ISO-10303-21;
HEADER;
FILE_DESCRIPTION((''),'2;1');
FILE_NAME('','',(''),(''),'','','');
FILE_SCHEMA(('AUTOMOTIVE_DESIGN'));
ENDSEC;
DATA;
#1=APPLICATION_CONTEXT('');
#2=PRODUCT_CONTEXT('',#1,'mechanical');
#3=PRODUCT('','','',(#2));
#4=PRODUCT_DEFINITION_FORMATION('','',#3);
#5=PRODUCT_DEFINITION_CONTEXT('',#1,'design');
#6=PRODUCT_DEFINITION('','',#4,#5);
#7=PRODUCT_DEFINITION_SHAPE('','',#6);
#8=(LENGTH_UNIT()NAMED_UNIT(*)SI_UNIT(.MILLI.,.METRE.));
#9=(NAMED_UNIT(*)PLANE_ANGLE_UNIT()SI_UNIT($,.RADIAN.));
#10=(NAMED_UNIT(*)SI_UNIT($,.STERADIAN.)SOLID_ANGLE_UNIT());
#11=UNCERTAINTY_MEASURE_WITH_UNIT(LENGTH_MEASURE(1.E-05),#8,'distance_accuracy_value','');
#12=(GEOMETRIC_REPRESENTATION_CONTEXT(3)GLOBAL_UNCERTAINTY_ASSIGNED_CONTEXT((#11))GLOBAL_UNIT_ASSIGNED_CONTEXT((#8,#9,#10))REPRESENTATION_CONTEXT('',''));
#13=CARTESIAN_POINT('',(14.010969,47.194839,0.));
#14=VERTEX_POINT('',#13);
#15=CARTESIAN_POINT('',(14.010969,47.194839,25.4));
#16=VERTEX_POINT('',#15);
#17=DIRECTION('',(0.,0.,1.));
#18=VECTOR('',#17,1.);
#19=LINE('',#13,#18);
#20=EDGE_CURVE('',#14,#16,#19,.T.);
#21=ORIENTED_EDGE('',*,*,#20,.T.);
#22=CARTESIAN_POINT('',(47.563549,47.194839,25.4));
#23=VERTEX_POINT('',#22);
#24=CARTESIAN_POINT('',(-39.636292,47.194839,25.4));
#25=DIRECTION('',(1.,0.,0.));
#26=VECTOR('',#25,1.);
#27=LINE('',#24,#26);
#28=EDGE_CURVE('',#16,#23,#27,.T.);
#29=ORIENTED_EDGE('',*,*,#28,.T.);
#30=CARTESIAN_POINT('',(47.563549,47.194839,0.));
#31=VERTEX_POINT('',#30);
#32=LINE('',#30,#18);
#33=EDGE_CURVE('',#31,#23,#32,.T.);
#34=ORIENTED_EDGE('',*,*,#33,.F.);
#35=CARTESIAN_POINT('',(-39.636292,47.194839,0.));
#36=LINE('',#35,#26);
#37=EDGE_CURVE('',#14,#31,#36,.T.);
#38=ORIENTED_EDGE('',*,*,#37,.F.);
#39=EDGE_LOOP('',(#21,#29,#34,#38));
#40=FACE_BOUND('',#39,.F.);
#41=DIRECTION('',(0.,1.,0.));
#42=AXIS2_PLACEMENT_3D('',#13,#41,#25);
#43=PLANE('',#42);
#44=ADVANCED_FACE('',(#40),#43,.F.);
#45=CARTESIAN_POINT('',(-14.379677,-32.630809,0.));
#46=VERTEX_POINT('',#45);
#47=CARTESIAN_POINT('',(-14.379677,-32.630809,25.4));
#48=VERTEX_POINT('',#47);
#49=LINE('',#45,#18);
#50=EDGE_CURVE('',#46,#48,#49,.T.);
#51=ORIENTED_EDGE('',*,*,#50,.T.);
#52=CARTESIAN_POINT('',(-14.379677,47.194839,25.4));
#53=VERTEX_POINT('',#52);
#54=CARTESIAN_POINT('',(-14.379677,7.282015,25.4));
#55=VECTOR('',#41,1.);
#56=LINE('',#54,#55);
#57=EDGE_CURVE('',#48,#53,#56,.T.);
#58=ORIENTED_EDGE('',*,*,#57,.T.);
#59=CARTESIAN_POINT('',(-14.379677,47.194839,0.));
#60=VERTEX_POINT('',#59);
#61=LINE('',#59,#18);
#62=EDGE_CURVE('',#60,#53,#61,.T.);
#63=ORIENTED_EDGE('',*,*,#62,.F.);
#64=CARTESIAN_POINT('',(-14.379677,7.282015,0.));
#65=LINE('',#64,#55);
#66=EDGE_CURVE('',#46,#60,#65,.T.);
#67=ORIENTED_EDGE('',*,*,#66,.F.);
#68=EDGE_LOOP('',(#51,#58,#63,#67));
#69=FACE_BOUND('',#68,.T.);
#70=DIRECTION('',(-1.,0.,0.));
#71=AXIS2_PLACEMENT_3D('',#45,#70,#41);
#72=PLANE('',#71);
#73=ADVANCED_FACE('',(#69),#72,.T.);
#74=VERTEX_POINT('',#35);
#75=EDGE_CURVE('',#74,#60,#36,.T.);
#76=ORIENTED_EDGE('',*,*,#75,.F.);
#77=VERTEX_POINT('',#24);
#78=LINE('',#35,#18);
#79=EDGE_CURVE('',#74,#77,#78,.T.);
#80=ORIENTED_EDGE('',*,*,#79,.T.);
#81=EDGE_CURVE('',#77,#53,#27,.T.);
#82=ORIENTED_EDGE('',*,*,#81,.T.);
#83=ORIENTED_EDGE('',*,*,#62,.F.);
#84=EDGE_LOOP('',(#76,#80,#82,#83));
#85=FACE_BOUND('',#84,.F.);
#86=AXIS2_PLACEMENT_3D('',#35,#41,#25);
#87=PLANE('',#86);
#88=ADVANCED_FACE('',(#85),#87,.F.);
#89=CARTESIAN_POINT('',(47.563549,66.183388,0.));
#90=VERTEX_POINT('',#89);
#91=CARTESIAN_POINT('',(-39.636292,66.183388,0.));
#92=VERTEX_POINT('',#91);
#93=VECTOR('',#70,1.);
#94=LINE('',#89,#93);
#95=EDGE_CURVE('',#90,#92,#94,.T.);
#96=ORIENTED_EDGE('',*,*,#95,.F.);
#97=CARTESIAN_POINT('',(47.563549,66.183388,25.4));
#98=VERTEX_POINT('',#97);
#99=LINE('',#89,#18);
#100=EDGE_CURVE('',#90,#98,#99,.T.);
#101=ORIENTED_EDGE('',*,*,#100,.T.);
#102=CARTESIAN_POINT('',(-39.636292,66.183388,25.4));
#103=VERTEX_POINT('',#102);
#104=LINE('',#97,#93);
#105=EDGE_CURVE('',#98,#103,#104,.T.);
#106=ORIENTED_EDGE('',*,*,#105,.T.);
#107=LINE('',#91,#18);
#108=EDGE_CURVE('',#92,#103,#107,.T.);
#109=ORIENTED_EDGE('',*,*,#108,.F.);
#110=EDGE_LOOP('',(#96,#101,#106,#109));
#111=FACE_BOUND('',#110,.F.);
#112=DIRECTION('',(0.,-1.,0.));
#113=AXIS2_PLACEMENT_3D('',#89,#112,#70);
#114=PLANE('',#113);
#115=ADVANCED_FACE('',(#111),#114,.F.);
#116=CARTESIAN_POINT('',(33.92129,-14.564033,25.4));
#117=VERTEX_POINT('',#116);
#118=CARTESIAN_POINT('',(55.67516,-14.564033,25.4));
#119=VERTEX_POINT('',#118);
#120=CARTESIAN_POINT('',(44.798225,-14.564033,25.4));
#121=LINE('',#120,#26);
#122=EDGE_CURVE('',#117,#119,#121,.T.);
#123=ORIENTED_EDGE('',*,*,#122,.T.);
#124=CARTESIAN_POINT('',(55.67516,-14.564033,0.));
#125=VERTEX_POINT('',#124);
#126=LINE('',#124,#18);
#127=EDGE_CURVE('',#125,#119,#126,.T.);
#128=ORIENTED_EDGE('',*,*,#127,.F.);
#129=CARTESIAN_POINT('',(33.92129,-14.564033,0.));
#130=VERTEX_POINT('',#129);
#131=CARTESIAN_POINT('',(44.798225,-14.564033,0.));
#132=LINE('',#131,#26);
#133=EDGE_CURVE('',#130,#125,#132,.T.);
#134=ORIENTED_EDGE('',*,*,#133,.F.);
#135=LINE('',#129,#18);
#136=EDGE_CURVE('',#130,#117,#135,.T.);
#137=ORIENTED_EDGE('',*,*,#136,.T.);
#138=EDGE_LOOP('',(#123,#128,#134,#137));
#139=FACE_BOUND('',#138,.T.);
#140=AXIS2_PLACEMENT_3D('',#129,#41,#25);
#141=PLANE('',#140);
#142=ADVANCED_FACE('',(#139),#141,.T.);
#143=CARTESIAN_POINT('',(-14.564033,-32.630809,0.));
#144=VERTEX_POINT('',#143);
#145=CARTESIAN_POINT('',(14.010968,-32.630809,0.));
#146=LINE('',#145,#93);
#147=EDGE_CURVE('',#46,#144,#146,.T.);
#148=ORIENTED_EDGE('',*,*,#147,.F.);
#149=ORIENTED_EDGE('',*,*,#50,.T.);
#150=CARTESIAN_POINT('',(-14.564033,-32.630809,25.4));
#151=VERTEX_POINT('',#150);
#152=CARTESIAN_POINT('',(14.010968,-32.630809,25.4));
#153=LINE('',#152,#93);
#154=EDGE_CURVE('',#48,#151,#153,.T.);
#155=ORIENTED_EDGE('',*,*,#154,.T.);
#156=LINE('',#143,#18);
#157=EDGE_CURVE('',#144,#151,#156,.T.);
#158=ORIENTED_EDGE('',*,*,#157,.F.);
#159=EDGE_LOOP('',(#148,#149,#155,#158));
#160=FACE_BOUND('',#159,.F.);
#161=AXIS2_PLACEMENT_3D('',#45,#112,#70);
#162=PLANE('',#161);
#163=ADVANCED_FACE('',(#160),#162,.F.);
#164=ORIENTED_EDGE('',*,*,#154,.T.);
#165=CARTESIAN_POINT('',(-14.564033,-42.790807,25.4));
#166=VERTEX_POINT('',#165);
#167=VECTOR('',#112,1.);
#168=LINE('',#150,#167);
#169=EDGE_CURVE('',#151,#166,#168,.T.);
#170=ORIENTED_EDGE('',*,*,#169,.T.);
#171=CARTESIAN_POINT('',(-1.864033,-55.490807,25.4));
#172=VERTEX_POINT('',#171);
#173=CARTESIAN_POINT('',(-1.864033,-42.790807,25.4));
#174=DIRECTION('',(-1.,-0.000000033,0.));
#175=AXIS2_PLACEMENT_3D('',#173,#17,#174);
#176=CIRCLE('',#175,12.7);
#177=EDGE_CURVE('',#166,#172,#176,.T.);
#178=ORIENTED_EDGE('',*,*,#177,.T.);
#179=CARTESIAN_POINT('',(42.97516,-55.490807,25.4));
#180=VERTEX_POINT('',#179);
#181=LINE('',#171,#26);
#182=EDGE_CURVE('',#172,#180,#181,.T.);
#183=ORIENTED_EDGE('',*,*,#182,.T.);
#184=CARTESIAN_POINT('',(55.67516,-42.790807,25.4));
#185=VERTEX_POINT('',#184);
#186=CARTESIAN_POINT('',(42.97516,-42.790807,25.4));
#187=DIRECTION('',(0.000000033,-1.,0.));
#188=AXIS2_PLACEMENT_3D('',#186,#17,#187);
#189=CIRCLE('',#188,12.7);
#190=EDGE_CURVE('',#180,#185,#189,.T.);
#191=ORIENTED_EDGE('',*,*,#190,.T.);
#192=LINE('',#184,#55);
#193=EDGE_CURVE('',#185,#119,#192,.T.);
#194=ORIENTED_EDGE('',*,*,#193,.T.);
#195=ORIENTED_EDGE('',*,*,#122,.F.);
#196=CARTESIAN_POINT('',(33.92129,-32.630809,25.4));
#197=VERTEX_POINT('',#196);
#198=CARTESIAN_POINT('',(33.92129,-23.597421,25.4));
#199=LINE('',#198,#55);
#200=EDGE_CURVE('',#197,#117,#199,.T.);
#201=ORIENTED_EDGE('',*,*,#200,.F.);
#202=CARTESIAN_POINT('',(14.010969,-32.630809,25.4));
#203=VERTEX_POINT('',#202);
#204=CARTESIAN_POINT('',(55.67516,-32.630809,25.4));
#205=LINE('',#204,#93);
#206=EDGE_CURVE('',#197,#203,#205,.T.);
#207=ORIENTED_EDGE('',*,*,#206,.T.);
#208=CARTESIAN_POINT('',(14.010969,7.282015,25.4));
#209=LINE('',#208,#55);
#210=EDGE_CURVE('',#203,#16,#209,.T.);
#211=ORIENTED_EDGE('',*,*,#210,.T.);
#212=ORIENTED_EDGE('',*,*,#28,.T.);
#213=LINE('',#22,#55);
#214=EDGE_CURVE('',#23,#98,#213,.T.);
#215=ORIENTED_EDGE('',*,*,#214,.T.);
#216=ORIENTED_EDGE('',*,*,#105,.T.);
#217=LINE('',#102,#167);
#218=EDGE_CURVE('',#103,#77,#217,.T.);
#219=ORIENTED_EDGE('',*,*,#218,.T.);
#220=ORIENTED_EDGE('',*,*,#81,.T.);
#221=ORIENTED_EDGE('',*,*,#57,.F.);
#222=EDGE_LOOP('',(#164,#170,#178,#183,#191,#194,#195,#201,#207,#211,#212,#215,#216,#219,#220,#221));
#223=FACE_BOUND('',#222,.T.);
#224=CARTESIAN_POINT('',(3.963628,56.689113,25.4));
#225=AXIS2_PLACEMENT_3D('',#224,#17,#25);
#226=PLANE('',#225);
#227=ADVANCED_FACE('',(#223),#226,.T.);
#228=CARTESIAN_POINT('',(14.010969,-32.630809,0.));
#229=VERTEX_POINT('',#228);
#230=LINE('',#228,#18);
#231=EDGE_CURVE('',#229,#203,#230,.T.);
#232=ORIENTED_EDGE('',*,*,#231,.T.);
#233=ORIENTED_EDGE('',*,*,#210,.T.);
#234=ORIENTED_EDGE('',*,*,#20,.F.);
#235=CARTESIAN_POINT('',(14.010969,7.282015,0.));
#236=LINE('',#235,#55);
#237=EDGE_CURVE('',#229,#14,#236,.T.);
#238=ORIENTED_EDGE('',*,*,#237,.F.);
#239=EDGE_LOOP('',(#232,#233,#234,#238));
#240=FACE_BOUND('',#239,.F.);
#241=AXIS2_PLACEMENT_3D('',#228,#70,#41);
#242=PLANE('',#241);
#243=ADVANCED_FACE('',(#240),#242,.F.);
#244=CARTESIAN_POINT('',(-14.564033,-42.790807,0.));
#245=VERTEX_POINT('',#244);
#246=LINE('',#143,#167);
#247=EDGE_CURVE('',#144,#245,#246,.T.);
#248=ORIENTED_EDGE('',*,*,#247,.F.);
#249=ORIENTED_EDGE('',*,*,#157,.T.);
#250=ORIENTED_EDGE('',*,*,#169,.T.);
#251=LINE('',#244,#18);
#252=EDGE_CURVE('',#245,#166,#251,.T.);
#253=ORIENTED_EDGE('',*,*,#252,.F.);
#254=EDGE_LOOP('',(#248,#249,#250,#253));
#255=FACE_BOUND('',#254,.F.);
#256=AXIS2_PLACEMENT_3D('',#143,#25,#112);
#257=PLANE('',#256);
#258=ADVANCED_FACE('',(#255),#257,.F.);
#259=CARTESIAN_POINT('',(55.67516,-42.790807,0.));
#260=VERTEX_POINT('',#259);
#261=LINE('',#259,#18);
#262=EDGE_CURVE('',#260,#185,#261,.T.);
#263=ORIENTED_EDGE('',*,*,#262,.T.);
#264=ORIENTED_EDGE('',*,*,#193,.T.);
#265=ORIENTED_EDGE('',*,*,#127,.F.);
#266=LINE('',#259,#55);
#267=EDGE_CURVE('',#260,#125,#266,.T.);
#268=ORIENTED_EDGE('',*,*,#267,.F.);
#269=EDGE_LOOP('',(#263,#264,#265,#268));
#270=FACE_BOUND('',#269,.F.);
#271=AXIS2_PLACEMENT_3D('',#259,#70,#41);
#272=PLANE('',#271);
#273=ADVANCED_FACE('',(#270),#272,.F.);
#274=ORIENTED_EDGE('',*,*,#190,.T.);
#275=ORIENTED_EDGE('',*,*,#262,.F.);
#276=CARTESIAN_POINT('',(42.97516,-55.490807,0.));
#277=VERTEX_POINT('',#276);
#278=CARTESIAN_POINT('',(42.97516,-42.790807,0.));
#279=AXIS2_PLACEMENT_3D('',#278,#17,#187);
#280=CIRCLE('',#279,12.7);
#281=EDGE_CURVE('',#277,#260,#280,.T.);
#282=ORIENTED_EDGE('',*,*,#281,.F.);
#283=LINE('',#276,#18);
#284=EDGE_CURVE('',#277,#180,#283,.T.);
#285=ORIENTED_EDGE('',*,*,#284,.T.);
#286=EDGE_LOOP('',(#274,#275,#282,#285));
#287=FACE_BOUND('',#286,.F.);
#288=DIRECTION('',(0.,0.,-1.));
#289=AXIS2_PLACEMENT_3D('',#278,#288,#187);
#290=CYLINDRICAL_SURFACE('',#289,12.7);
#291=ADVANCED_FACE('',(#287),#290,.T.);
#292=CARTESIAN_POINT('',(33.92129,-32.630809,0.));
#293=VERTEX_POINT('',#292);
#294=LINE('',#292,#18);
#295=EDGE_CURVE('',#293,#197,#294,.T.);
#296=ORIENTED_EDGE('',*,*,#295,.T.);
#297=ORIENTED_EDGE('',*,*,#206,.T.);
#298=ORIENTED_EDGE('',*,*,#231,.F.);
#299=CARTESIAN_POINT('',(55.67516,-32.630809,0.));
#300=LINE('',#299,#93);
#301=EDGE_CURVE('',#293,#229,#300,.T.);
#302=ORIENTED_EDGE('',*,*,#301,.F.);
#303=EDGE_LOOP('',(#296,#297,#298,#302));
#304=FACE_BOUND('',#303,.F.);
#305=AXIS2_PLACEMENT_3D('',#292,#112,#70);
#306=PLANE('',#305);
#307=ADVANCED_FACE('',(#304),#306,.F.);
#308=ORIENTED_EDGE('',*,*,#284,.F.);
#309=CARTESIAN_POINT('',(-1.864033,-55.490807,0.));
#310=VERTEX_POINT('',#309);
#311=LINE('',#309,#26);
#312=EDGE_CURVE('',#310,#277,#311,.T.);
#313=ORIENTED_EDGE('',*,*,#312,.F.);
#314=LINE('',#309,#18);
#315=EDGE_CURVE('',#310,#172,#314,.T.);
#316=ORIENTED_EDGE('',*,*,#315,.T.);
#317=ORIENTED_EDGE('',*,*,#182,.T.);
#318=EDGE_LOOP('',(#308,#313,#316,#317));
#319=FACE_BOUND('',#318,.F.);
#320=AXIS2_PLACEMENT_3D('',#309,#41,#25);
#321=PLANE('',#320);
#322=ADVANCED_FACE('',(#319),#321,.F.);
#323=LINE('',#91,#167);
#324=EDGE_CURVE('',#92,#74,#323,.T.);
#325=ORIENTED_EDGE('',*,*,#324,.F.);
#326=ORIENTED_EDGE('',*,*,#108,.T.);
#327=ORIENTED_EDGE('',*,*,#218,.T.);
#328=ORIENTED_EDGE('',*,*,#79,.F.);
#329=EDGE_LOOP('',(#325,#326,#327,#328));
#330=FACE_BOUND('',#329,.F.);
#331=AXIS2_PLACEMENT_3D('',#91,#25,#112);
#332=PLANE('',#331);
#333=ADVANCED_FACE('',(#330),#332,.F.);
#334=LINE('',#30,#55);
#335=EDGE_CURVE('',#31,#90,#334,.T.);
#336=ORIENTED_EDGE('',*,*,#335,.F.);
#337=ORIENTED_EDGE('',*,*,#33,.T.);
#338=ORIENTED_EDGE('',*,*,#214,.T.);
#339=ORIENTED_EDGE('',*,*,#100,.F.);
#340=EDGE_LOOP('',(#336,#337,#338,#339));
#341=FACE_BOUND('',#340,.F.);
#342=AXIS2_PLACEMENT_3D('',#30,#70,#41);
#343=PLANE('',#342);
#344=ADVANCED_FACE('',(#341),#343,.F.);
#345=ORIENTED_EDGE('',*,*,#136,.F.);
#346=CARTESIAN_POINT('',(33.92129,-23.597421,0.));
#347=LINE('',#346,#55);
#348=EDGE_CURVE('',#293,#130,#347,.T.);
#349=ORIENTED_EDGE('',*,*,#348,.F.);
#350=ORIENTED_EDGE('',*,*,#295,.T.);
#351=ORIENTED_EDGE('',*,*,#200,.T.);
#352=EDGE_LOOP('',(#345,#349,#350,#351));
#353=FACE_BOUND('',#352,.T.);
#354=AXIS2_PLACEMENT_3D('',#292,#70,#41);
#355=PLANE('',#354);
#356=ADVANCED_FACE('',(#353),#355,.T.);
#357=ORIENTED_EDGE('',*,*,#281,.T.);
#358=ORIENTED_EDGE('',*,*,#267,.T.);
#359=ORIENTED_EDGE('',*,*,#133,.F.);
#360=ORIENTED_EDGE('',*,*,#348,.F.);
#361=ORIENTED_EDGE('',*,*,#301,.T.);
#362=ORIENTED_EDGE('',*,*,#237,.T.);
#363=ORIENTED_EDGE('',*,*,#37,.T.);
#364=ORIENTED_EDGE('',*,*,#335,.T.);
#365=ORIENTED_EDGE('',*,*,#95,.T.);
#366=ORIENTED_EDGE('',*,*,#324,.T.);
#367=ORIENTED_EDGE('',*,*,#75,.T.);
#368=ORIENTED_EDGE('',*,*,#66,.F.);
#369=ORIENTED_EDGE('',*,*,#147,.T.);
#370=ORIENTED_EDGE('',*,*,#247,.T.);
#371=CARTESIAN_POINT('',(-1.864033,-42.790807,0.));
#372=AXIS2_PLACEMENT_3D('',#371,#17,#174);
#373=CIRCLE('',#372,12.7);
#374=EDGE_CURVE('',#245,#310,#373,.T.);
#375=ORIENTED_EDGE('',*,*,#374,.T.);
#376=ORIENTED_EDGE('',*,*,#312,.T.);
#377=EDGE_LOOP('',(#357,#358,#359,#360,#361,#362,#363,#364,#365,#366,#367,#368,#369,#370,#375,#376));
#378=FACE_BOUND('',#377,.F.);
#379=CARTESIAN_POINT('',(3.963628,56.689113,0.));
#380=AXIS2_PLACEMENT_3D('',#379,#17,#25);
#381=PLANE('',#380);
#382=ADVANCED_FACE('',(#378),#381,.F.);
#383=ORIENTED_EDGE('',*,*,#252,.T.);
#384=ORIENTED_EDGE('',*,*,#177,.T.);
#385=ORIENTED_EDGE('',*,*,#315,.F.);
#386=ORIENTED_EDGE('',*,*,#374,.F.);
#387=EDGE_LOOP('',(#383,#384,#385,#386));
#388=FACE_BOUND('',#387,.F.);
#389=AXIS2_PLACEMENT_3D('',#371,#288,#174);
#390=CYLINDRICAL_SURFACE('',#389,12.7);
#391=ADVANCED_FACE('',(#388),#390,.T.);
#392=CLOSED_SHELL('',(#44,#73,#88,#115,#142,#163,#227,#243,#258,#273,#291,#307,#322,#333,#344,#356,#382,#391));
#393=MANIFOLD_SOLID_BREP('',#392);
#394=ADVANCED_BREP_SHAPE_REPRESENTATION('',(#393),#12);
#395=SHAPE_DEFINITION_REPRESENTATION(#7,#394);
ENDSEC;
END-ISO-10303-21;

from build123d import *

# Parameters (mm, degrees)
F0_W     = 28.390645
F0_H     = 79.825648
F0_W_2   = 21.75387
F0_H_2   = 18.066776
F1_DEPTH = 25.4


with BuildPart() as f1:
    # F0 (on Top) → F1 (new body)
    with BuildSketch(Plane.XY):
        Polygon((-39.636292, 47.194839), (-14.379677, 47.194839), (14.010968, 47.194839), (47.563549, 47.194839), (47.563549, 66.183388), (-39.636292, 66.183388), align=None)
        with Locations((-0.184354, 7.282015)):
            Rectangle(F0_W, F0_H)
        with BuildLine():
            Line((14.010968, -32.630809), (-14.379677, -32.630809))
            Line((-14.379677, -32.630809), (-14.564033, -32.630809))
            Line((-14.564033, -32.630809), (-14.564033, -42.790807))
            ThreePointArc((-14.564033, -42.790807), (-10.844289, -51.771063), (-1.864033, -55.490807))
            Line((-1.864033, -55.490807), (14.010968, -55.490807))
            Line((14.010968, -55.490807), (14.010968, -32.630809))
        make_face()
        with BuildLine():
            Line((33.92129, -32.630809), (14.010968, -32.630809))
            Line((14.010968, -32.630809), (14.010968, -55.490807))
            Line((14.010968, -55.490807), (42.97516, -55.490807))
            ThreePointArc((42.97516, -55.490807), (51.955416, -51.771063), (55.67516, -42.790807))
            Line((55.67516, -42.790807), (55.67516, -32.630809))
            Line((55.67516, -32.630809), (33.92129, -32.630809))
        make_face()
        with Locations((44.798225, -23.597421)):
            Rectangle(F0_W_2, F0_H_2)
    extrude(amount=F1_DEPTH)


solid = f1.part
